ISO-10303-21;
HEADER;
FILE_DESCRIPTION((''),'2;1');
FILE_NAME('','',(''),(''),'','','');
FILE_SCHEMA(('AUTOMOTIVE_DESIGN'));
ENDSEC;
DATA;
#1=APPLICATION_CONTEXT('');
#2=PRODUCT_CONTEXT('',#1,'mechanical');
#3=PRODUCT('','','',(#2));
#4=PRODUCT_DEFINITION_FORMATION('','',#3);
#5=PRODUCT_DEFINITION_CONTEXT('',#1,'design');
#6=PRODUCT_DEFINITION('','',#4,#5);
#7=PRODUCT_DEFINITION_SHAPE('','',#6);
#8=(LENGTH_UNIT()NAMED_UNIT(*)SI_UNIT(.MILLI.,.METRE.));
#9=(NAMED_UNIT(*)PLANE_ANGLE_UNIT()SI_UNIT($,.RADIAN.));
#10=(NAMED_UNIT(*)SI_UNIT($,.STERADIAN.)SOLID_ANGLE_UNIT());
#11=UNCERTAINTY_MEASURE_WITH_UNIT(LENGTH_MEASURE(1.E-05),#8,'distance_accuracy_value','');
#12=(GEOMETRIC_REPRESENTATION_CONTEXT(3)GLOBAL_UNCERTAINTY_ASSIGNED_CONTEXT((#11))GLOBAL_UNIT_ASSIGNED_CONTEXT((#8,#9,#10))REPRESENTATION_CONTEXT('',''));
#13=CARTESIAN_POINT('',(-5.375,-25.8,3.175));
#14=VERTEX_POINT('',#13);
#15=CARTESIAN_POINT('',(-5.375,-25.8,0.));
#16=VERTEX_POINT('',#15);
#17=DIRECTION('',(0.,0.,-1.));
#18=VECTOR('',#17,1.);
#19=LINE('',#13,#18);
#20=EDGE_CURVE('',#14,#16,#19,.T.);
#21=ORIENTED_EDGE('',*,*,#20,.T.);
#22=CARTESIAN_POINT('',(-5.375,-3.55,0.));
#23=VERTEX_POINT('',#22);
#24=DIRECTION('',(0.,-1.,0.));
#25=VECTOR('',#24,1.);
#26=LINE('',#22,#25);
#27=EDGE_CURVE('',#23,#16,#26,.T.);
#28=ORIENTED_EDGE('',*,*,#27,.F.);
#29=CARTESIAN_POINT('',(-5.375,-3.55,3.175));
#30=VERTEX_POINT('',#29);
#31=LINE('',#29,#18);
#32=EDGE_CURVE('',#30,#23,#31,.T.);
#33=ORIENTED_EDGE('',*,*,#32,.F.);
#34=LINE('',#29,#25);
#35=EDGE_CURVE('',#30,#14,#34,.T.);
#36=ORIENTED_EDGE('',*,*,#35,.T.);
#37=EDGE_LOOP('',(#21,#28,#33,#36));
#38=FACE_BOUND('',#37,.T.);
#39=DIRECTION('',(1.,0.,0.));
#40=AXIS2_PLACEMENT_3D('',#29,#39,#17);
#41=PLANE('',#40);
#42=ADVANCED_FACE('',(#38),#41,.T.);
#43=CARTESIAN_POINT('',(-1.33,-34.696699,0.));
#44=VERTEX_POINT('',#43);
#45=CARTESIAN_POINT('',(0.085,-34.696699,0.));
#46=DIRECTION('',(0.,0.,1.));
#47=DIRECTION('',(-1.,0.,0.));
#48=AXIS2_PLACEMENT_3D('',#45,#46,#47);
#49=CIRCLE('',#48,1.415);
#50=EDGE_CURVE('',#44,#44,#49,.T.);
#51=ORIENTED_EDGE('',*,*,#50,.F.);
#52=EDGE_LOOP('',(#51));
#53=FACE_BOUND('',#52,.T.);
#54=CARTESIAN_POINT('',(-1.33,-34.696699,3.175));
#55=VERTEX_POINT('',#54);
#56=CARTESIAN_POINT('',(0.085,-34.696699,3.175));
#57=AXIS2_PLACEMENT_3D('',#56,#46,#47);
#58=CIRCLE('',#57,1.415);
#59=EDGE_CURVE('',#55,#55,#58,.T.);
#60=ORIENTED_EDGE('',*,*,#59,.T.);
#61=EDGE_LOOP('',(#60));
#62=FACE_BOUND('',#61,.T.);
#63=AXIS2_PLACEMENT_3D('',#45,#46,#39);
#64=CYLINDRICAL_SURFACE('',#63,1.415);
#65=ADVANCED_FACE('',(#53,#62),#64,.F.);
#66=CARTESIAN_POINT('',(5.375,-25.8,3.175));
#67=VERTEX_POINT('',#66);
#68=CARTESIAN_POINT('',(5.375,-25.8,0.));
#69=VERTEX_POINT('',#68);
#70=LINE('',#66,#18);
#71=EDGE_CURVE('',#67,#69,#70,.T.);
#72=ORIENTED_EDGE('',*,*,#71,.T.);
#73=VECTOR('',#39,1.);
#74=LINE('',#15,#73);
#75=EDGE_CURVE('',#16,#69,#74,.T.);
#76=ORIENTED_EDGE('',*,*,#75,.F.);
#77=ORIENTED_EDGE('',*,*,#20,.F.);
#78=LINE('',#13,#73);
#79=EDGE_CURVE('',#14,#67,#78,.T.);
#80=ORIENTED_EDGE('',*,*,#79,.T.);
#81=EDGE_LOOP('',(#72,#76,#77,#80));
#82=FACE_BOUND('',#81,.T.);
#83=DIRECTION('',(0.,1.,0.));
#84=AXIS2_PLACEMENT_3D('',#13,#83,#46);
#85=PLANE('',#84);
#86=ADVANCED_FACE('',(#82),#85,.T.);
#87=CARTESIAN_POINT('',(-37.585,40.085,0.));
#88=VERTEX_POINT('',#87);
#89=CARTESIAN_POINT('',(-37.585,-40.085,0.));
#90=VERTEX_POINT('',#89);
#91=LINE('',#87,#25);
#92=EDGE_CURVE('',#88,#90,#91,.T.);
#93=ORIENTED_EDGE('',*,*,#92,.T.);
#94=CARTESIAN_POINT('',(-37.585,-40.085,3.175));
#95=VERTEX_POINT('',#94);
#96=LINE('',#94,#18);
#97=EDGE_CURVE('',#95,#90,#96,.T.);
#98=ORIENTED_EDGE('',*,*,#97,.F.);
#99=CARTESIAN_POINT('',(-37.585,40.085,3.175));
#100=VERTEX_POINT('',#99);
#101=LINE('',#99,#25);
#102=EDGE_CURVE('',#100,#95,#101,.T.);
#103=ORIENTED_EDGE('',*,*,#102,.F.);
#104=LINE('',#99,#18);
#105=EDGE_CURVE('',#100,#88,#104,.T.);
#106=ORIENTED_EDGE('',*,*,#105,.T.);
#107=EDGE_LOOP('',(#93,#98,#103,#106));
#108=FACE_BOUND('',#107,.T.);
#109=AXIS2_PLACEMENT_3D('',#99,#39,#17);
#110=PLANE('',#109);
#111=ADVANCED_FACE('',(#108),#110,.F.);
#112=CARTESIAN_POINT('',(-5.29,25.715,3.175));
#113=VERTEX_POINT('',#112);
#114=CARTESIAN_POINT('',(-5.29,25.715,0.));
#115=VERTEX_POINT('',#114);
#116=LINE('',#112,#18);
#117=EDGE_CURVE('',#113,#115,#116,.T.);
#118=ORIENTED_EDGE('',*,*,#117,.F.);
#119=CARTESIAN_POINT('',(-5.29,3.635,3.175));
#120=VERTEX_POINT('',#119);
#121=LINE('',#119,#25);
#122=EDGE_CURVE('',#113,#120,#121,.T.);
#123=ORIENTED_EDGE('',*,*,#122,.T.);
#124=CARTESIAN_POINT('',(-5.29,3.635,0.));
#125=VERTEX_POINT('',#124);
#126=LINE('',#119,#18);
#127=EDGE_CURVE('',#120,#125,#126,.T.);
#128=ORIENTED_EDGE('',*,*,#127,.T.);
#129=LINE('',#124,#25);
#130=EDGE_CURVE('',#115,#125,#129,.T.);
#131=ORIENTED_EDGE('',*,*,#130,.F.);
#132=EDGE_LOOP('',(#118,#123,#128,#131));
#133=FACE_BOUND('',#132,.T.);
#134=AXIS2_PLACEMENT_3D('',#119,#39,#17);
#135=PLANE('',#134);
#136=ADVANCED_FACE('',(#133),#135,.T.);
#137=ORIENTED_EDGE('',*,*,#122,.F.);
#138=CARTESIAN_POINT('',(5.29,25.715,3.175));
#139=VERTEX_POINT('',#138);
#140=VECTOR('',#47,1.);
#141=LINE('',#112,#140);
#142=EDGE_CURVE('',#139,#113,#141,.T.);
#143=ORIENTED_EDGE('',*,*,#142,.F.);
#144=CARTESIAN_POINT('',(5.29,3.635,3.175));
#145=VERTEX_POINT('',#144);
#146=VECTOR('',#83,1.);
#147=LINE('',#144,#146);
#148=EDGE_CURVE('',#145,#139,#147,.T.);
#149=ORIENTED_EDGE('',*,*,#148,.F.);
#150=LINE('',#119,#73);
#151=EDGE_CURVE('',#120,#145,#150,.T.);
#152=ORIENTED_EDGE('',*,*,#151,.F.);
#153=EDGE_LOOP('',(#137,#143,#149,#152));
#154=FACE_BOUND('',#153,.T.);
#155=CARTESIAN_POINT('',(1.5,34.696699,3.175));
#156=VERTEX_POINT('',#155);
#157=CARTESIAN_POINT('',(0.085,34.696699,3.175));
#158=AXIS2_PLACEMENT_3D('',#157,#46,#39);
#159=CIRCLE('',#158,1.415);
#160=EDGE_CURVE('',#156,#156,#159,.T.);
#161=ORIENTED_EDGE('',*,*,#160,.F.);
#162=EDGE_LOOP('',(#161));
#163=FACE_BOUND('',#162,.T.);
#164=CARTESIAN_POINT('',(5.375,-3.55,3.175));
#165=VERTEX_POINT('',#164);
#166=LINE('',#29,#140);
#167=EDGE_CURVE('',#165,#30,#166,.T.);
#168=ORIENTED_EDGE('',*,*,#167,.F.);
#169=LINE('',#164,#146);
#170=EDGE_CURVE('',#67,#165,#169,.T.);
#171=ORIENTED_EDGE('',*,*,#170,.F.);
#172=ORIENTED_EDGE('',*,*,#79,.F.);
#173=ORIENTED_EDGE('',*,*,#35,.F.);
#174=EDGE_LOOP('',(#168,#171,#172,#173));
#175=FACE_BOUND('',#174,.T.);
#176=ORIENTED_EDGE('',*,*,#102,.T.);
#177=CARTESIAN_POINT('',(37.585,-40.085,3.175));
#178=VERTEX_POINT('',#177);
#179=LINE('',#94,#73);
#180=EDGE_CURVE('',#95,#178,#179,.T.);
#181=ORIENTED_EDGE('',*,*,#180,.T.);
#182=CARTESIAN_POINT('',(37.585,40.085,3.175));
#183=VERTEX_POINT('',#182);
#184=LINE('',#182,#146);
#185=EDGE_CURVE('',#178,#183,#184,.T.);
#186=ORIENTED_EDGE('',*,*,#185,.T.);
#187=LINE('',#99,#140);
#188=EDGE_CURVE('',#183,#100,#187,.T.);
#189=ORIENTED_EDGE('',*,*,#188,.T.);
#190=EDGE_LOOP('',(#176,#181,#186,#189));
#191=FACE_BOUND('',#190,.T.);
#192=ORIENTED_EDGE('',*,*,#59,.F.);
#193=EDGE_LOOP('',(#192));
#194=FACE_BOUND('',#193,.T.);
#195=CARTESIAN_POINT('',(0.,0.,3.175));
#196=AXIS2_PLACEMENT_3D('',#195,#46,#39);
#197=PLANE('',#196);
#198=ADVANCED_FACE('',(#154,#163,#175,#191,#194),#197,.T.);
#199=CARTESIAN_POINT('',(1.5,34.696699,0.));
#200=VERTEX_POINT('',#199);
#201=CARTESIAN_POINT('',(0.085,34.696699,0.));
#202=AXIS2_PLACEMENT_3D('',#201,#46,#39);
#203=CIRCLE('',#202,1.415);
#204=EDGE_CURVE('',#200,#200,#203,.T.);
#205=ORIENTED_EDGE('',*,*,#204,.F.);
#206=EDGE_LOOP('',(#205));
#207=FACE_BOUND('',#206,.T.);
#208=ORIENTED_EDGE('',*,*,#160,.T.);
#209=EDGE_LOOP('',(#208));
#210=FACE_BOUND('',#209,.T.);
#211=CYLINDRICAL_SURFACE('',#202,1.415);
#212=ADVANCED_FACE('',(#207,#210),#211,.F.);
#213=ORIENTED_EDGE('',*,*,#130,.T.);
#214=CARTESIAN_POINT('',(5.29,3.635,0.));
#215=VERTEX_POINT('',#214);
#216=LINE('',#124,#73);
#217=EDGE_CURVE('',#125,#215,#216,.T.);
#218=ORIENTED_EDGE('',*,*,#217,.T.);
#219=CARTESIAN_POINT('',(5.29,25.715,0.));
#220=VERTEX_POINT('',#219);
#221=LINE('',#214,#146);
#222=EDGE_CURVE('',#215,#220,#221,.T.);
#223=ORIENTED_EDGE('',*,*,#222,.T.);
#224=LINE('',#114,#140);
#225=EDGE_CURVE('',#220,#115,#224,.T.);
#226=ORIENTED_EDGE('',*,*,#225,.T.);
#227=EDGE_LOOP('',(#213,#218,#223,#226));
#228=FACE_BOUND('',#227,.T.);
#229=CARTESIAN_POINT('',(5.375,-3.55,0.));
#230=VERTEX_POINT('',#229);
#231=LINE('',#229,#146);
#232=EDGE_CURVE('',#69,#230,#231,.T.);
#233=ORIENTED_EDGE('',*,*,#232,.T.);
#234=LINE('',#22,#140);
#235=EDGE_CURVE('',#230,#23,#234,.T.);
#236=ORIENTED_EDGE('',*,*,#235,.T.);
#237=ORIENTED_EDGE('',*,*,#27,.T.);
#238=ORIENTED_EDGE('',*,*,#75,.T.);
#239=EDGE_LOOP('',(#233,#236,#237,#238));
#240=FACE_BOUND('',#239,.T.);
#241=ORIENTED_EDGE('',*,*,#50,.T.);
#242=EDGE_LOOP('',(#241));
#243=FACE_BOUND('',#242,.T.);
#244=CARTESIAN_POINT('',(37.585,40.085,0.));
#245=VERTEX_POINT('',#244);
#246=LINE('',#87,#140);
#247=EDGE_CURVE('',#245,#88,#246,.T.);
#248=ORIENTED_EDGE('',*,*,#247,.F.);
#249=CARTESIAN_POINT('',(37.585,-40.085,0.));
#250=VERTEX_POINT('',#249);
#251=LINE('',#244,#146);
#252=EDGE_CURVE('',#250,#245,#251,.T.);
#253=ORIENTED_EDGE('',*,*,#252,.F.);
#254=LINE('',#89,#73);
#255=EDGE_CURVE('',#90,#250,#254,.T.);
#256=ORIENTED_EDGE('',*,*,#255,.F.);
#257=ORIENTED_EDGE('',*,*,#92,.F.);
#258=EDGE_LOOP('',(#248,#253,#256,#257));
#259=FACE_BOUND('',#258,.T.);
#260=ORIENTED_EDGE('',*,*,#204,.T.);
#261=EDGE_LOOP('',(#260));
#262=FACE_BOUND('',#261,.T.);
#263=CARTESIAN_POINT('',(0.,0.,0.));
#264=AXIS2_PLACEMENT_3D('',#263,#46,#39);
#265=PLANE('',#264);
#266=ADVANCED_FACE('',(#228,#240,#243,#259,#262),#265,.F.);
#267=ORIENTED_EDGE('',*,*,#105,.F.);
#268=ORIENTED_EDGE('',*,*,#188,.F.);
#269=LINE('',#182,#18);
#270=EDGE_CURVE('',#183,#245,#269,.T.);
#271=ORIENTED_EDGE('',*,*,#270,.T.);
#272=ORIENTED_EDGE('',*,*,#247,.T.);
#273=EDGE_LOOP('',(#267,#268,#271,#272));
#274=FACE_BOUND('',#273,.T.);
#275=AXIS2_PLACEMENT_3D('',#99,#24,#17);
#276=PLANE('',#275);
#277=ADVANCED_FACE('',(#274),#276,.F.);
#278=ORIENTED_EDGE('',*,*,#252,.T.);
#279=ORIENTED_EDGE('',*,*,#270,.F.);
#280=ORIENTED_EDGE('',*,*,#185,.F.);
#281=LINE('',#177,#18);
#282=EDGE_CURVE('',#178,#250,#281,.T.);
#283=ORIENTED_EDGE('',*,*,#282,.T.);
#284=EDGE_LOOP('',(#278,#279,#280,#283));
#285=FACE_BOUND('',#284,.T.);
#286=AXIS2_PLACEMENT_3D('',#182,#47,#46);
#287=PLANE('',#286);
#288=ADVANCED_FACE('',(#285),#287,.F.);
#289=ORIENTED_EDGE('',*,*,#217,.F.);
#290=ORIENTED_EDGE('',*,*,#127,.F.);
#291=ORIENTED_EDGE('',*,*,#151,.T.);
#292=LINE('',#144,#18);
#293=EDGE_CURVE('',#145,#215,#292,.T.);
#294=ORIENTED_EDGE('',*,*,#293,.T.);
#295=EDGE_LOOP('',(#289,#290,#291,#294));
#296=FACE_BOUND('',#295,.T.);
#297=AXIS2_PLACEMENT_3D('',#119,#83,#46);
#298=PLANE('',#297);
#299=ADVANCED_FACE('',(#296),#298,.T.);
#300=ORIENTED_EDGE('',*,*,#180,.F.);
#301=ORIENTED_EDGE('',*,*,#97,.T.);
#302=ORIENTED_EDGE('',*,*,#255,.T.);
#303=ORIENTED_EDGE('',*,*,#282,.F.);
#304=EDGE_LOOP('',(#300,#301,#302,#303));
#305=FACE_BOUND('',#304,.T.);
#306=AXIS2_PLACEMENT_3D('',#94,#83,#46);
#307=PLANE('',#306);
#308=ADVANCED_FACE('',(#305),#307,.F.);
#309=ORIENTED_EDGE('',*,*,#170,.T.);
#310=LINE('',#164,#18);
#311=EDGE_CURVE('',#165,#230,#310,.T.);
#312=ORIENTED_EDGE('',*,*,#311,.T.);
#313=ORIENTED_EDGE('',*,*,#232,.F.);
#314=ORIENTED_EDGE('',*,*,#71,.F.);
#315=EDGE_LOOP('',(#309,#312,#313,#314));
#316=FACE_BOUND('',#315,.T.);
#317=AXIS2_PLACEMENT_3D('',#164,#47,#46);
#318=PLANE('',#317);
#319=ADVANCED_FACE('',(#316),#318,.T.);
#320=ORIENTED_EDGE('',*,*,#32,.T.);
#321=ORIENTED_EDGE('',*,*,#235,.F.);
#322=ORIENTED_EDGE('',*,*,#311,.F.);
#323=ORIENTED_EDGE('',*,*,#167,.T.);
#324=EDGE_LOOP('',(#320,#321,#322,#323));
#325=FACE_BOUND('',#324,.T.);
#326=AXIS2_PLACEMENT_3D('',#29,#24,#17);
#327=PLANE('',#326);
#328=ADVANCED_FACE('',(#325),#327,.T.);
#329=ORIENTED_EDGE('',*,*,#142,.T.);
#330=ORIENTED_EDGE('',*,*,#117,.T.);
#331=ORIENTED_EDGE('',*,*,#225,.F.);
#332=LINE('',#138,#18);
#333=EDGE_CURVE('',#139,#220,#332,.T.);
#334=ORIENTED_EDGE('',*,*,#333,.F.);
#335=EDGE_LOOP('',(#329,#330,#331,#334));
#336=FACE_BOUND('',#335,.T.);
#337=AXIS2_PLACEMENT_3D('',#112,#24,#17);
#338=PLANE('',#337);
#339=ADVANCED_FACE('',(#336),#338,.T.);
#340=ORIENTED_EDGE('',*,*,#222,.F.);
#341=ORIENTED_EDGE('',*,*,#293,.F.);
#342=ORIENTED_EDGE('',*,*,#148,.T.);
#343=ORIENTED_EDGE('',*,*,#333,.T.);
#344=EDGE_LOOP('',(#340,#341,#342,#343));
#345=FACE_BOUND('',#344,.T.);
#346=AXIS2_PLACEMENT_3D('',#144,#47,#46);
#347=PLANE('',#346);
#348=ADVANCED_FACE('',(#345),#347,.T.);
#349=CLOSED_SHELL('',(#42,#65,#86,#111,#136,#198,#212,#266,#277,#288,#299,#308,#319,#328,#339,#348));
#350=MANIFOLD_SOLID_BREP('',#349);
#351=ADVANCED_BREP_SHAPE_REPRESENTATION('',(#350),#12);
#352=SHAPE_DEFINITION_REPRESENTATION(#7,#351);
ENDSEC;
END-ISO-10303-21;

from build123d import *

# Parameters (mm, degrees)
SKETCH1_W           = 75.17
SKETCH1_H           = 80.17
SKETCH1_W_2         = 10.75
SKETCH1_H_2         = 22.25
SKETCH1_W_3         = 10.58
SKETCH1_H_3         = 22.08
BOSS_EXTRUDE1_DEPTH = 3.175
SKETCH2_R           = 1.415
CUT_EXTRUDE1_DEPTH  = 4.175


with BuildPart() as part:
    # Sketch1 → Boss-Extrude1 (new body)
    with BuildSketch(Plane.XY):
        Rectangle(SKETCH1_W, SKETCH1_H)
        with Locations((0, -14.675)):
            Rectangle(SKETCH1_W_2, SKETCH1_H_2, mode=Mode.SUBTRACT)
        with Locations((0, 14.675)):
            Rectangle(SKETCH1_W_3, SKETCH1_H_3, mode=Mode.SUBTRACT)
    extrude(amount=BOSS_EXTRUDE1_DEPTH)

    # Sketch2 → Cut-Extrude1 (cut, through all)
    with BuildSketch(Plane.XY.offset(3.175)):
        with Locations((0.085, 34.696699141)):
            Circle(SKETCH2_R)
        with Locations((0.085, -34.696699141)):
            Circle(SKETCH2_R)
    extrude(amount=-CUT_EXTRUDE1_DEPTH, mode=Mode.SUBTRACT)


solid = part.part
